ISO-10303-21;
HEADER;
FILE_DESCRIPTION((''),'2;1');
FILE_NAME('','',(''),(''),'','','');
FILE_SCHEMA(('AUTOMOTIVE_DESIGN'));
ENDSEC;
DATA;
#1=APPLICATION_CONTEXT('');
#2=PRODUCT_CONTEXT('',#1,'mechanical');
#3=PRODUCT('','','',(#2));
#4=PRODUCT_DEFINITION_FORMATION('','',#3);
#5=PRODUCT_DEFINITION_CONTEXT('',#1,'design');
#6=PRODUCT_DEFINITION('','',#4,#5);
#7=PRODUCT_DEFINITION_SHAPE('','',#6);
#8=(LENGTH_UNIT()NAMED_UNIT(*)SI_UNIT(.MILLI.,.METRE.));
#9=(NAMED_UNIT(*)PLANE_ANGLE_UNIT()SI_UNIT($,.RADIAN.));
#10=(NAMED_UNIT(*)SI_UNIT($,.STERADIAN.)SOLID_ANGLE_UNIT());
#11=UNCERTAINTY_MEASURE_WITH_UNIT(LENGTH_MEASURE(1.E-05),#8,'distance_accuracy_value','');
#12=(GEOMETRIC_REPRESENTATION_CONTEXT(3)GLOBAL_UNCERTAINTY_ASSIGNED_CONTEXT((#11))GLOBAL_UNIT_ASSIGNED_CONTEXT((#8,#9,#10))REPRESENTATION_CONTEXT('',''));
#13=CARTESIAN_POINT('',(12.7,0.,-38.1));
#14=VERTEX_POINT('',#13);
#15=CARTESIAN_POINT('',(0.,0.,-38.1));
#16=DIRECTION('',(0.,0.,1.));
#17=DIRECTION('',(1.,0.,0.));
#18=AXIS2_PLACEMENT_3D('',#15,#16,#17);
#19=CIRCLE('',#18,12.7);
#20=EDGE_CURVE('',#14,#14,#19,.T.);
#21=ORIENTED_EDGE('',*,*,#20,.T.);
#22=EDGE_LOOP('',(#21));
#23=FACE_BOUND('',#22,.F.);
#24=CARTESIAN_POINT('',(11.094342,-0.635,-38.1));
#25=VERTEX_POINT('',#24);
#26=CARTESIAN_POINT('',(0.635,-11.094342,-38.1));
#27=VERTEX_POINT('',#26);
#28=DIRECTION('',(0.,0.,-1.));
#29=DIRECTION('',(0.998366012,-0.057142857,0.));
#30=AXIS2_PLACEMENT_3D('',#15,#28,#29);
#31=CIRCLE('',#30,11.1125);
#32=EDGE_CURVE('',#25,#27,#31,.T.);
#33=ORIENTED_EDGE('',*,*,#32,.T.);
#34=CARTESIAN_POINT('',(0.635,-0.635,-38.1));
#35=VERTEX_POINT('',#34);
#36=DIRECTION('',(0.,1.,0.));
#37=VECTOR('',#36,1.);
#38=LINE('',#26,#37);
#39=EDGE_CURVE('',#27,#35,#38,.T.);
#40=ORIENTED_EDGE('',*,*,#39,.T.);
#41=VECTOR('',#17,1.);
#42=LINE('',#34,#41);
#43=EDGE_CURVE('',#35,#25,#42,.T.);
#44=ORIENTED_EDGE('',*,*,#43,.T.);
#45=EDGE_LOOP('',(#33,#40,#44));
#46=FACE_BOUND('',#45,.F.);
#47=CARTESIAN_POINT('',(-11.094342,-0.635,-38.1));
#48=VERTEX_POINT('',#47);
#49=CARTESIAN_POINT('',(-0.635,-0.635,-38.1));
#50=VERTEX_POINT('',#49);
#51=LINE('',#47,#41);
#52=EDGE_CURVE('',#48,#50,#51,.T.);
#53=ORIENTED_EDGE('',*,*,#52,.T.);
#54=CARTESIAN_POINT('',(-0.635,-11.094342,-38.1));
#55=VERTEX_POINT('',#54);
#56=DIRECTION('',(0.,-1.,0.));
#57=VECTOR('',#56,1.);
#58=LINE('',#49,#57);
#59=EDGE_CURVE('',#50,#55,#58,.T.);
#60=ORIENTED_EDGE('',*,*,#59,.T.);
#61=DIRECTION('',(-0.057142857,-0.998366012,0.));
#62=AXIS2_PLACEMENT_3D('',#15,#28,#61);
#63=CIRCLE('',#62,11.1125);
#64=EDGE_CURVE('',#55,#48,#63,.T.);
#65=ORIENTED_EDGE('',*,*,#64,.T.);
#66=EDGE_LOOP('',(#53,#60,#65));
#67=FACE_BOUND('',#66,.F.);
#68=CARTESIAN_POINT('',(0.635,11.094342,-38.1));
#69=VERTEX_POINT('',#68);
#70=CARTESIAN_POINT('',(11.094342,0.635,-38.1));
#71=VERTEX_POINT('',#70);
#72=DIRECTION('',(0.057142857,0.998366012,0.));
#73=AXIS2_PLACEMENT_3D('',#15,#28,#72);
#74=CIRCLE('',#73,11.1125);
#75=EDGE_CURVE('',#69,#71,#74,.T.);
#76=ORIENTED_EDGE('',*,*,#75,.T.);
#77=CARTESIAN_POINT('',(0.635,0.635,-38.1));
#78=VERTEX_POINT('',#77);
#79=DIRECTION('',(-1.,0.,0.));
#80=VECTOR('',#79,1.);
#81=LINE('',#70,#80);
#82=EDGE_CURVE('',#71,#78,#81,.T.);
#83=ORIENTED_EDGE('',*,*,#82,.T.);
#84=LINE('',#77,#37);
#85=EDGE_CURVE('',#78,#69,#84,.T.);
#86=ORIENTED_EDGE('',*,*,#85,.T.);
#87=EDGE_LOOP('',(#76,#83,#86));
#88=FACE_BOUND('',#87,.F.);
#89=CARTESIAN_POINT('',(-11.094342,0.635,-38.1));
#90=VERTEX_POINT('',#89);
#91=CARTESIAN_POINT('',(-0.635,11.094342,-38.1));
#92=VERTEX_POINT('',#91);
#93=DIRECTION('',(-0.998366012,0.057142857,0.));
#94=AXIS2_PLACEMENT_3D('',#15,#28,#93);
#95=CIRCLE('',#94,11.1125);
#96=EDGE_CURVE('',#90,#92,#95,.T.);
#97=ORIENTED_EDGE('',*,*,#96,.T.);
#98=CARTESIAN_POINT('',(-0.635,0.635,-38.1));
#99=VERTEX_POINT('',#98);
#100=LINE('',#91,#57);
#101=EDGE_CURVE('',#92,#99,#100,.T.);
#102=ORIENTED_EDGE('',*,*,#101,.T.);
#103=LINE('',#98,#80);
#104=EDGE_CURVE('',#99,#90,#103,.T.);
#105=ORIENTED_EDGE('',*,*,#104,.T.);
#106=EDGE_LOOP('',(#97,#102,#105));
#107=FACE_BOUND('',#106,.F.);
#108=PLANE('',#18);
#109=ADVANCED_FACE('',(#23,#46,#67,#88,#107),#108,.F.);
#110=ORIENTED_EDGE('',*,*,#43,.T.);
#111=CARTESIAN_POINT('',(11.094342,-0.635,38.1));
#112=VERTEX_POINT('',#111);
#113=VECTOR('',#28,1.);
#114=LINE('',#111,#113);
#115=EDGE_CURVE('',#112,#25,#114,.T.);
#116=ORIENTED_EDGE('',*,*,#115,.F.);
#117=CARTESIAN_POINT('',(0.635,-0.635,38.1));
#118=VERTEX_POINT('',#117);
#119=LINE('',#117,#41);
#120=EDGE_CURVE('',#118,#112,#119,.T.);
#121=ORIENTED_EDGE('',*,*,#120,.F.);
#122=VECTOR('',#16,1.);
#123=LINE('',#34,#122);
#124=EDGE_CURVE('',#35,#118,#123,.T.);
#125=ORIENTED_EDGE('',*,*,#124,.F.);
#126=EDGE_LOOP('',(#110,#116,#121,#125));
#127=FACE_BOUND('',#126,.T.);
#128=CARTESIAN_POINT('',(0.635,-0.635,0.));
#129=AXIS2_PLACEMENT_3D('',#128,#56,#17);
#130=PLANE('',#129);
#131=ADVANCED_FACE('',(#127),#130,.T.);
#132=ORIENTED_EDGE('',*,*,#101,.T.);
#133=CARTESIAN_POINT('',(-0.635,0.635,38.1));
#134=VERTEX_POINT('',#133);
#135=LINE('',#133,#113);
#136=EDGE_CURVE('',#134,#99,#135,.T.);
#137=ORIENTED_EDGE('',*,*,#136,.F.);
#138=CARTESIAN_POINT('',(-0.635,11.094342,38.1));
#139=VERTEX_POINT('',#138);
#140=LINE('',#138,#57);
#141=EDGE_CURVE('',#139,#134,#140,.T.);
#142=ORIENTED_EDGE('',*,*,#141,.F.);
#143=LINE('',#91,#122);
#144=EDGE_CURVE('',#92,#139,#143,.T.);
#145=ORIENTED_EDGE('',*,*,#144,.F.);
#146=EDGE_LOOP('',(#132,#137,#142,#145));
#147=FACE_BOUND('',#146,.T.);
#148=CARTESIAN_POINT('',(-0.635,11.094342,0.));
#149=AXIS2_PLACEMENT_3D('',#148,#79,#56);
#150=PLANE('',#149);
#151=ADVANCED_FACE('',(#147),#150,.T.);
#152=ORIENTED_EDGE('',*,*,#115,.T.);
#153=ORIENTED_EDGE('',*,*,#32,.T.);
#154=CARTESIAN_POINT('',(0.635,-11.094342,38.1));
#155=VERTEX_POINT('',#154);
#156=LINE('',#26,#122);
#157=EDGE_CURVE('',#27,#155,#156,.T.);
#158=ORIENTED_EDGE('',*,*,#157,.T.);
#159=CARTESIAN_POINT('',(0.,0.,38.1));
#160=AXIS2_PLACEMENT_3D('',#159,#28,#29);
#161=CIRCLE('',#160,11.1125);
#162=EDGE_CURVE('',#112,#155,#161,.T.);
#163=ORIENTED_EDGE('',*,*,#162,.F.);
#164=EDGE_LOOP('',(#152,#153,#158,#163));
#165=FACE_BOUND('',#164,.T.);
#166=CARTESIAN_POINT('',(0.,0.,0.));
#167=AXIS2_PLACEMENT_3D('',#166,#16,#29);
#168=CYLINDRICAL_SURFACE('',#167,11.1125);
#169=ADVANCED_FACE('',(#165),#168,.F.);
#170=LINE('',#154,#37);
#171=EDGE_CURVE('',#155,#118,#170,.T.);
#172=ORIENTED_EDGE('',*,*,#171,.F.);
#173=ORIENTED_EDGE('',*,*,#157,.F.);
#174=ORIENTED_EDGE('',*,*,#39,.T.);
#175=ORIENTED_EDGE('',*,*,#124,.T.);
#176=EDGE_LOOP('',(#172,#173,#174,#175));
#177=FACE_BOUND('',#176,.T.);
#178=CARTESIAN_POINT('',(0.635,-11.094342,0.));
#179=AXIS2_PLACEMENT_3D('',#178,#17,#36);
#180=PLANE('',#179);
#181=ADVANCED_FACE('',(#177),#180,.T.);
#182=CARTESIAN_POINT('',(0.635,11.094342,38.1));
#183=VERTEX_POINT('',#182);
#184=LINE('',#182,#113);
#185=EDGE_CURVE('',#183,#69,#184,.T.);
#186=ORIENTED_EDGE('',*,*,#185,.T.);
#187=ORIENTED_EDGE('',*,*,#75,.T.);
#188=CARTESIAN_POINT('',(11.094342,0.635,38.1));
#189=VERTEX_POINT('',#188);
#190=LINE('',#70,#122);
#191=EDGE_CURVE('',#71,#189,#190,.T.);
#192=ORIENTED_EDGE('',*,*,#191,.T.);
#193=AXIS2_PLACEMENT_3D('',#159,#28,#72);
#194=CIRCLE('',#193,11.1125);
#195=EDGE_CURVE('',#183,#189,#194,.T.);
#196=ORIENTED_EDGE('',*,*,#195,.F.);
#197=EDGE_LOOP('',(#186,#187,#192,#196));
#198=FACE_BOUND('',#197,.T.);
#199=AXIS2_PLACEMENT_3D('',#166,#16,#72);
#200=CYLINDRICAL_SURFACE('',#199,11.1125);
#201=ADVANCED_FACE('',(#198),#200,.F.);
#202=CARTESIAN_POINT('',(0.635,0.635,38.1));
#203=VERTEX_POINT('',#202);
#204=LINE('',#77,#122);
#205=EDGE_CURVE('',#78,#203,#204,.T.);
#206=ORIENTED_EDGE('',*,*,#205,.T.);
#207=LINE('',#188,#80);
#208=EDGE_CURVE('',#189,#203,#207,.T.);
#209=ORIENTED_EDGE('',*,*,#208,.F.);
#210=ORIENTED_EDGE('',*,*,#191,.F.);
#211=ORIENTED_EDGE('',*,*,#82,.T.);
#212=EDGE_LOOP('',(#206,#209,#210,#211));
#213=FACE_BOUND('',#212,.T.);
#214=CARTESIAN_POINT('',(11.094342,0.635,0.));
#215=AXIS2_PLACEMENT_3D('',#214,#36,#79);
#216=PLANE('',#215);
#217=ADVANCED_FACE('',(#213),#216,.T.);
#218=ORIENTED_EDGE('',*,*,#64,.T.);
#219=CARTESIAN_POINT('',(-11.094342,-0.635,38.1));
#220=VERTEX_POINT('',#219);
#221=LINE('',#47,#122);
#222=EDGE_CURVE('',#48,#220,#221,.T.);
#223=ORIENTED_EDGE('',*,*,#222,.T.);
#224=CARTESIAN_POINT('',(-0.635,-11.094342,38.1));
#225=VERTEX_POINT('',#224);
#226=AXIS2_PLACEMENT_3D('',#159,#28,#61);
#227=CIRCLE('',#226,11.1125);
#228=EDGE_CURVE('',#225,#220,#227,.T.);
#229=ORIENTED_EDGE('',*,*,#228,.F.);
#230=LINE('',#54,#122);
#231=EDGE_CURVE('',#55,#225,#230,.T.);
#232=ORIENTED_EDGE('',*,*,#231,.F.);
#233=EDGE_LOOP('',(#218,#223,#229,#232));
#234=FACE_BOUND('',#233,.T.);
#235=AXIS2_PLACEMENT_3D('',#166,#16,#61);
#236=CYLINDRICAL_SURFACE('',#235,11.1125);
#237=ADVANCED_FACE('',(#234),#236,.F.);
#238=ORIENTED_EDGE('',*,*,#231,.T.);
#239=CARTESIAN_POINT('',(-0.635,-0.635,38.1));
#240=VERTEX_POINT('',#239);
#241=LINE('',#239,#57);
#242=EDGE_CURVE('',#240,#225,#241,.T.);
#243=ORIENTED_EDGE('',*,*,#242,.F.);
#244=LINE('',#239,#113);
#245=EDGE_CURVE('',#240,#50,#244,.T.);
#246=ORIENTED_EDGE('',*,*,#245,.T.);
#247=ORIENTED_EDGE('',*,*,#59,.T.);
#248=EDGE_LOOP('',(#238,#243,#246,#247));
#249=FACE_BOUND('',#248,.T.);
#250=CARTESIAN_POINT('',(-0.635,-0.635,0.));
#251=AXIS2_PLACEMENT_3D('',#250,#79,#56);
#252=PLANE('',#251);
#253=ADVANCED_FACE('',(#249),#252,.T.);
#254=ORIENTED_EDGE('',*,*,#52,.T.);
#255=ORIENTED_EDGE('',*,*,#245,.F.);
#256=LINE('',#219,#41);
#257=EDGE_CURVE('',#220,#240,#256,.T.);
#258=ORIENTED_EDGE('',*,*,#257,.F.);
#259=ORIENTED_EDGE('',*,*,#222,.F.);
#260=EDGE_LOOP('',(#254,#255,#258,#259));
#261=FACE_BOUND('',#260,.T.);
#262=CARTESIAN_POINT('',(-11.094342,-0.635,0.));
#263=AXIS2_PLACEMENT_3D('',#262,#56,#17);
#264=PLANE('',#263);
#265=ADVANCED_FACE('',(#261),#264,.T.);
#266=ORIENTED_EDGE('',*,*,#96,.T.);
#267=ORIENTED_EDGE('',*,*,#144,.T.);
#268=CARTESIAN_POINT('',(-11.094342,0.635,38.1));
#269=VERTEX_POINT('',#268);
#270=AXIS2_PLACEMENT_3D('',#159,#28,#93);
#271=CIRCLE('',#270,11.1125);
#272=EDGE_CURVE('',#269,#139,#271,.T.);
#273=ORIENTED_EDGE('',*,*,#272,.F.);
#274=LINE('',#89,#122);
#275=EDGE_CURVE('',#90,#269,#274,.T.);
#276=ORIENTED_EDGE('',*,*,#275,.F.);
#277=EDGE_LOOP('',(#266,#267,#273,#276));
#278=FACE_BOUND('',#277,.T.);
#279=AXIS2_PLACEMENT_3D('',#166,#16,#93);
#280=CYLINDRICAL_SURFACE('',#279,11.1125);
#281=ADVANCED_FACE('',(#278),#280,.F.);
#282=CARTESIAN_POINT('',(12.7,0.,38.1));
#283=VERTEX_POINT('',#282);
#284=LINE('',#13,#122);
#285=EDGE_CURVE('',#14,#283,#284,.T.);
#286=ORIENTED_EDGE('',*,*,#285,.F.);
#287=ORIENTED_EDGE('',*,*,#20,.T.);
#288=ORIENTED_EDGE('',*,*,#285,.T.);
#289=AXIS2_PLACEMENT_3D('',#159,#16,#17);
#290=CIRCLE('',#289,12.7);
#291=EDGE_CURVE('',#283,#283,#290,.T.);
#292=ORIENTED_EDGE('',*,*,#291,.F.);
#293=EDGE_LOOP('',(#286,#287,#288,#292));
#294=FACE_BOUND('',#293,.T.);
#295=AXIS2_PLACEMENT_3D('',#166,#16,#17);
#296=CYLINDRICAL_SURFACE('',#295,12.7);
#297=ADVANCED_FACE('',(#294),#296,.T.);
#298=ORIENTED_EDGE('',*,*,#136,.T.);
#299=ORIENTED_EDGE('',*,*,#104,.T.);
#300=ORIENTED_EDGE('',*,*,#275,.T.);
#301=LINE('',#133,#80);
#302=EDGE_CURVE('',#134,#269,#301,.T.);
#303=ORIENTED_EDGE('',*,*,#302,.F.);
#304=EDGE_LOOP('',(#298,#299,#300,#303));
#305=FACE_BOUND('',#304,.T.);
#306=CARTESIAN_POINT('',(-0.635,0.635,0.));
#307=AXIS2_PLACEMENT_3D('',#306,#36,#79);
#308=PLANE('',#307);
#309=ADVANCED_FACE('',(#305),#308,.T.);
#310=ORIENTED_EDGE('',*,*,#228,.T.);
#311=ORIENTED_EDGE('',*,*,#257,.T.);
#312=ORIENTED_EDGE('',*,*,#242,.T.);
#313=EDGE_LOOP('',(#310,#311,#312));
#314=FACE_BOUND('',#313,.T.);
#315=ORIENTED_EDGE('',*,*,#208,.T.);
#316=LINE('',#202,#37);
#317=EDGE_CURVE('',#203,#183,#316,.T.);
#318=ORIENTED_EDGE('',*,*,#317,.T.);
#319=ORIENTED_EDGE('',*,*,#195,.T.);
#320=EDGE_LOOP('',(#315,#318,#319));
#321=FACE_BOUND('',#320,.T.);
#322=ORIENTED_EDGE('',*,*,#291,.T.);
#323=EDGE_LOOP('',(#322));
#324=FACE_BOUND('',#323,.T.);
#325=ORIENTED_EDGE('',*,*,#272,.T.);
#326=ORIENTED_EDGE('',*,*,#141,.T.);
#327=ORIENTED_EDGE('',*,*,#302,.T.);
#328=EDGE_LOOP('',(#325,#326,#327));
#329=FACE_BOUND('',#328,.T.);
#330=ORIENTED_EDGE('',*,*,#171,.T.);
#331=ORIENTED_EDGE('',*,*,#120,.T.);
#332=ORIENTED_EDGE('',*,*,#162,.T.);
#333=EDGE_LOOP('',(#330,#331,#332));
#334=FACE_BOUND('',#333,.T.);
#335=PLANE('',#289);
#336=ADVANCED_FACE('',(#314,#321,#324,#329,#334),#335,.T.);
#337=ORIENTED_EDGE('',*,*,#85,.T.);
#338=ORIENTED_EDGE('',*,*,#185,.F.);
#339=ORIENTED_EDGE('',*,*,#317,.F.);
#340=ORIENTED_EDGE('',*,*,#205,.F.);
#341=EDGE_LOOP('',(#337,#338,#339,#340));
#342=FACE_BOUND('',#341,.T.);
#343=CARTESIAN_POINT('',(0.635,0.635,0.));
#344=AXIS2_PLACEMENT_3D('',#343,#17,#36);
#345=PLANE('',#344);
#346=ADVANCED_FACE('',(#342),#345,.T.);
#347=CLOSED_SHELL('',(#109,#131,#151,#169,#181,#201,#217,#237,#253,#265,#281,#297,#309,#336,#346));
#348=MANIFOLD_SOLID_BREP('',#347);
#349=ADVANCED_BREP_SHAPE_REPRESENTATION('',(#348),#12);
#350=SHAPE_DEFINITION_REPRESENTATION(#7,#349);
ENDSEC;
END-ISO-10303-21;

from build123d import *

# Parameters (mm, degrees)
F0_R     = 12.7
F0_W     = 1.27
F0_H     = 1.27
F1_DEPTH = 38.1


with BuildPart() as f1:
    # F0 (on Top) → F1 (new body, symmetric)
    with BuildSketch(Plane.XY):
        Circle(F0_R)
        with BuildLine():
            Line((11.1125, 0.635), (11.1125, 0))
            Line((11.1125, 0), (11.1125, -0.635))
            Line((11.1125, -0.635), (11.0943423081, -0.635))
            ThreePointArc((11.0943423081, -0.635), (7.8577241059, -7.8577241059), (0.635, -11.0943423081))
            Line((0.635, -11.0943423081), (0.635, -11.1125))
            Line((0.635, -11.1125), (0, -11.1125))
            Line((0, -11.1125), (-0.635, -11.1125))
            Line((-0.635, -11.1125), (-0.635, -11.0943423081))
            ThreePointArc((-0.635, -11.0943423081), (-7.8577241059, -7.8577241059), (-11.0943423081, -0.635))
            Line((-11.0943423081, -0.635), (-11.1125, -0.635))
            Line((-11.1125, -0.635), (-11.1125, 0))
            Line((-11.1125, 0), (-11.1125, 0.635))
            Line((-11.1125, 0.635), (-11.0943423081, 0.635))
            ThreePointArc((-11.0943423081, 0.635), (-7.8577241059, 7.8577241059), (-0.635, 11.0943423081))
            Line((-0.635, 11.0943423081), (-0.635, 11.1125))
            Line((-0.635, 11.1125), (0, 11.1125))
            Line((0, 11.1125), (0.635, 11.1125))
            Line((0.635, 11.1125), (0.635, 11.0943423081))
            ThreePointArc((0.635, 11.0943423081), (7.8577241059, 7.8577241059), (11.0943423081, 0.635))
            Line((11.0943423081, 0.635), (11.1125, 0.635))
        make_face(mode=Mode.SUBTRACT)
        with BuildLine():
            Line((-0.635, -0.635), (-0.635, 0.635))
            Line((-0.635, 0.635), (-11.0943423081, 0.635))
            ThreePointArc((-11.0943423081, 0.635), (-11.1079596495, 0.3176297773), (-11.1125, 0))
            ThreePointArc((-11.1125, 0), (-11.1079596495, -0.3176297773), (-11.0943423081, -0.635))
            Line((-11.0943423081, -0.635), (-0.635, -0.635))
        make_face()
        with BuildLine():
            Line((0.635, 0.635), (0.635, 11.0943423081))
            ThreePointArc((0.635, 11.0943423081), (0.3176297773, 11.1079596495), (0, 11.1125))
            ThreePointArc((0, 11.1125), (-0.3176297773, 11.1079596495), (-0.635, 11.0943423081))
            Line((-0.635, 11.0943423081), (-0.635, 0.635))
            Line((-0.635, 0.635), (0.635, 0.635))
        make_face()
        with BuildLine():
            ThreePointArc((0, -11.1125), (0.3176297773, -11.1079596495), (0.635, -11.0943423081))
            Line((0.635, -11.0943423081), (0.635, -0.635))
            Line((0.635, -0.635), (-0.635, -0.635))
            Line((-0.635, -0.635), (-0.635, -11.0943423081))
            ThreePointArc((-0.635, -11.0943423081), (-0.3176297773, -11.1079596495), (0, -11.1125))
        make_face()
        with BuildLine():
            ThreePointArc((11.0943423081, -0.635), (11.1079596495, -0.3176297773), (11.1125, 0))
            ThreePointArc((11.1125, 0), (11.1079596495, 0.3176297773), (11.0943423081, 0.635))
            Line((11.0943423081, 0.635), (0.635, 0.635))
            Line((0.635, 0.635), (0.635, -0.635))
            Line((0.635, -0.635), (11.0943423081, -0.635))
        make_face()
        Rectangle(F0_W, F0_H)
        with BuildLine():
            ThreePointArc((-0.635, 11.0943423081), (-0.3176297773, 11.1079596495), (0, 11.1125))
            Line((0, 11.1125), (-0.635, 11.1125))
            Line((-0.635, 11.1125), (-0.635, 11.0943423081))
        make_face()
        with BuildLine():
            ThreePointArc((0, 11.1125), (0.3176297773, 11.1079596495), (0.635, 11.0943423081))
            Line((0.635, 11.0943423081), (0.635, 11.1125))
            Line((0.635, 11.1125), (0, 11.1125))
        make_face()
        with BuildLine():
            ThreePointArc((-11.1125, 0), (-11.1079596495, 0.3176297773), (-11.0943423081, 0.635))
            Line((-11.0943423081, 0.635), (-11.1125, 0.635))
            Line((-11.1125, 0.635), (-11.1125, 0))
        make_face()
        with BuildLine():
            Line((-11.1125, -0.635), (-11.0943423081, -0.635))
            ThreePointArc((-11.0943423081, -0.635), (-11.1079596495, -0.3176297773), (-11.1125, 0))
            Line((-11.1125, 0), (-11.1125, -0.635))
        make_face()
        with BuildLine():
            Line((11.1125, -0.635), (11.1125, 0))
            ThreePointArc((11.1125, 0), (11.1079596495, -0.3176297773), (11.0943423081, -0.635))
            Line((11.0943423081, -0.635), (11.1125, -0.635))
        make_face()
        with BuildLine():
            ThreePointArc((11.0943423081, 0.635), (11.1079596495, 0.3176297773), (11.1125, 0))
            Line((11.1125, 0), (11.1125, 0.635))
            Line((11.1125, 0.635), (11.0943423081, 0.635))
        make_face()
        with BuildLine():
            Line((0.635, -11.1125), (0.635, -11.0943423081))
            ThreePointArc((0.635, -11.0943423081), (0.3176297773, -11.1079596495), (0, -11.1125))
            Line((0, -11.1125), (0.635, -11.1125))
        make_face()
        with BuildLine():
            Line((-0.635, -11.1125), (0, -11.1125))
            ThreePointArc((0, -11.1125), (-0.3176297773, -11.1079596495), (-0.635, -11.0943423081))
            Line((-0.635, -11.0943423081), (-0.635, -11.1125))
        make_face()
    extrude(amount=F1_DEPTH, both=True)


solid = f1.part
